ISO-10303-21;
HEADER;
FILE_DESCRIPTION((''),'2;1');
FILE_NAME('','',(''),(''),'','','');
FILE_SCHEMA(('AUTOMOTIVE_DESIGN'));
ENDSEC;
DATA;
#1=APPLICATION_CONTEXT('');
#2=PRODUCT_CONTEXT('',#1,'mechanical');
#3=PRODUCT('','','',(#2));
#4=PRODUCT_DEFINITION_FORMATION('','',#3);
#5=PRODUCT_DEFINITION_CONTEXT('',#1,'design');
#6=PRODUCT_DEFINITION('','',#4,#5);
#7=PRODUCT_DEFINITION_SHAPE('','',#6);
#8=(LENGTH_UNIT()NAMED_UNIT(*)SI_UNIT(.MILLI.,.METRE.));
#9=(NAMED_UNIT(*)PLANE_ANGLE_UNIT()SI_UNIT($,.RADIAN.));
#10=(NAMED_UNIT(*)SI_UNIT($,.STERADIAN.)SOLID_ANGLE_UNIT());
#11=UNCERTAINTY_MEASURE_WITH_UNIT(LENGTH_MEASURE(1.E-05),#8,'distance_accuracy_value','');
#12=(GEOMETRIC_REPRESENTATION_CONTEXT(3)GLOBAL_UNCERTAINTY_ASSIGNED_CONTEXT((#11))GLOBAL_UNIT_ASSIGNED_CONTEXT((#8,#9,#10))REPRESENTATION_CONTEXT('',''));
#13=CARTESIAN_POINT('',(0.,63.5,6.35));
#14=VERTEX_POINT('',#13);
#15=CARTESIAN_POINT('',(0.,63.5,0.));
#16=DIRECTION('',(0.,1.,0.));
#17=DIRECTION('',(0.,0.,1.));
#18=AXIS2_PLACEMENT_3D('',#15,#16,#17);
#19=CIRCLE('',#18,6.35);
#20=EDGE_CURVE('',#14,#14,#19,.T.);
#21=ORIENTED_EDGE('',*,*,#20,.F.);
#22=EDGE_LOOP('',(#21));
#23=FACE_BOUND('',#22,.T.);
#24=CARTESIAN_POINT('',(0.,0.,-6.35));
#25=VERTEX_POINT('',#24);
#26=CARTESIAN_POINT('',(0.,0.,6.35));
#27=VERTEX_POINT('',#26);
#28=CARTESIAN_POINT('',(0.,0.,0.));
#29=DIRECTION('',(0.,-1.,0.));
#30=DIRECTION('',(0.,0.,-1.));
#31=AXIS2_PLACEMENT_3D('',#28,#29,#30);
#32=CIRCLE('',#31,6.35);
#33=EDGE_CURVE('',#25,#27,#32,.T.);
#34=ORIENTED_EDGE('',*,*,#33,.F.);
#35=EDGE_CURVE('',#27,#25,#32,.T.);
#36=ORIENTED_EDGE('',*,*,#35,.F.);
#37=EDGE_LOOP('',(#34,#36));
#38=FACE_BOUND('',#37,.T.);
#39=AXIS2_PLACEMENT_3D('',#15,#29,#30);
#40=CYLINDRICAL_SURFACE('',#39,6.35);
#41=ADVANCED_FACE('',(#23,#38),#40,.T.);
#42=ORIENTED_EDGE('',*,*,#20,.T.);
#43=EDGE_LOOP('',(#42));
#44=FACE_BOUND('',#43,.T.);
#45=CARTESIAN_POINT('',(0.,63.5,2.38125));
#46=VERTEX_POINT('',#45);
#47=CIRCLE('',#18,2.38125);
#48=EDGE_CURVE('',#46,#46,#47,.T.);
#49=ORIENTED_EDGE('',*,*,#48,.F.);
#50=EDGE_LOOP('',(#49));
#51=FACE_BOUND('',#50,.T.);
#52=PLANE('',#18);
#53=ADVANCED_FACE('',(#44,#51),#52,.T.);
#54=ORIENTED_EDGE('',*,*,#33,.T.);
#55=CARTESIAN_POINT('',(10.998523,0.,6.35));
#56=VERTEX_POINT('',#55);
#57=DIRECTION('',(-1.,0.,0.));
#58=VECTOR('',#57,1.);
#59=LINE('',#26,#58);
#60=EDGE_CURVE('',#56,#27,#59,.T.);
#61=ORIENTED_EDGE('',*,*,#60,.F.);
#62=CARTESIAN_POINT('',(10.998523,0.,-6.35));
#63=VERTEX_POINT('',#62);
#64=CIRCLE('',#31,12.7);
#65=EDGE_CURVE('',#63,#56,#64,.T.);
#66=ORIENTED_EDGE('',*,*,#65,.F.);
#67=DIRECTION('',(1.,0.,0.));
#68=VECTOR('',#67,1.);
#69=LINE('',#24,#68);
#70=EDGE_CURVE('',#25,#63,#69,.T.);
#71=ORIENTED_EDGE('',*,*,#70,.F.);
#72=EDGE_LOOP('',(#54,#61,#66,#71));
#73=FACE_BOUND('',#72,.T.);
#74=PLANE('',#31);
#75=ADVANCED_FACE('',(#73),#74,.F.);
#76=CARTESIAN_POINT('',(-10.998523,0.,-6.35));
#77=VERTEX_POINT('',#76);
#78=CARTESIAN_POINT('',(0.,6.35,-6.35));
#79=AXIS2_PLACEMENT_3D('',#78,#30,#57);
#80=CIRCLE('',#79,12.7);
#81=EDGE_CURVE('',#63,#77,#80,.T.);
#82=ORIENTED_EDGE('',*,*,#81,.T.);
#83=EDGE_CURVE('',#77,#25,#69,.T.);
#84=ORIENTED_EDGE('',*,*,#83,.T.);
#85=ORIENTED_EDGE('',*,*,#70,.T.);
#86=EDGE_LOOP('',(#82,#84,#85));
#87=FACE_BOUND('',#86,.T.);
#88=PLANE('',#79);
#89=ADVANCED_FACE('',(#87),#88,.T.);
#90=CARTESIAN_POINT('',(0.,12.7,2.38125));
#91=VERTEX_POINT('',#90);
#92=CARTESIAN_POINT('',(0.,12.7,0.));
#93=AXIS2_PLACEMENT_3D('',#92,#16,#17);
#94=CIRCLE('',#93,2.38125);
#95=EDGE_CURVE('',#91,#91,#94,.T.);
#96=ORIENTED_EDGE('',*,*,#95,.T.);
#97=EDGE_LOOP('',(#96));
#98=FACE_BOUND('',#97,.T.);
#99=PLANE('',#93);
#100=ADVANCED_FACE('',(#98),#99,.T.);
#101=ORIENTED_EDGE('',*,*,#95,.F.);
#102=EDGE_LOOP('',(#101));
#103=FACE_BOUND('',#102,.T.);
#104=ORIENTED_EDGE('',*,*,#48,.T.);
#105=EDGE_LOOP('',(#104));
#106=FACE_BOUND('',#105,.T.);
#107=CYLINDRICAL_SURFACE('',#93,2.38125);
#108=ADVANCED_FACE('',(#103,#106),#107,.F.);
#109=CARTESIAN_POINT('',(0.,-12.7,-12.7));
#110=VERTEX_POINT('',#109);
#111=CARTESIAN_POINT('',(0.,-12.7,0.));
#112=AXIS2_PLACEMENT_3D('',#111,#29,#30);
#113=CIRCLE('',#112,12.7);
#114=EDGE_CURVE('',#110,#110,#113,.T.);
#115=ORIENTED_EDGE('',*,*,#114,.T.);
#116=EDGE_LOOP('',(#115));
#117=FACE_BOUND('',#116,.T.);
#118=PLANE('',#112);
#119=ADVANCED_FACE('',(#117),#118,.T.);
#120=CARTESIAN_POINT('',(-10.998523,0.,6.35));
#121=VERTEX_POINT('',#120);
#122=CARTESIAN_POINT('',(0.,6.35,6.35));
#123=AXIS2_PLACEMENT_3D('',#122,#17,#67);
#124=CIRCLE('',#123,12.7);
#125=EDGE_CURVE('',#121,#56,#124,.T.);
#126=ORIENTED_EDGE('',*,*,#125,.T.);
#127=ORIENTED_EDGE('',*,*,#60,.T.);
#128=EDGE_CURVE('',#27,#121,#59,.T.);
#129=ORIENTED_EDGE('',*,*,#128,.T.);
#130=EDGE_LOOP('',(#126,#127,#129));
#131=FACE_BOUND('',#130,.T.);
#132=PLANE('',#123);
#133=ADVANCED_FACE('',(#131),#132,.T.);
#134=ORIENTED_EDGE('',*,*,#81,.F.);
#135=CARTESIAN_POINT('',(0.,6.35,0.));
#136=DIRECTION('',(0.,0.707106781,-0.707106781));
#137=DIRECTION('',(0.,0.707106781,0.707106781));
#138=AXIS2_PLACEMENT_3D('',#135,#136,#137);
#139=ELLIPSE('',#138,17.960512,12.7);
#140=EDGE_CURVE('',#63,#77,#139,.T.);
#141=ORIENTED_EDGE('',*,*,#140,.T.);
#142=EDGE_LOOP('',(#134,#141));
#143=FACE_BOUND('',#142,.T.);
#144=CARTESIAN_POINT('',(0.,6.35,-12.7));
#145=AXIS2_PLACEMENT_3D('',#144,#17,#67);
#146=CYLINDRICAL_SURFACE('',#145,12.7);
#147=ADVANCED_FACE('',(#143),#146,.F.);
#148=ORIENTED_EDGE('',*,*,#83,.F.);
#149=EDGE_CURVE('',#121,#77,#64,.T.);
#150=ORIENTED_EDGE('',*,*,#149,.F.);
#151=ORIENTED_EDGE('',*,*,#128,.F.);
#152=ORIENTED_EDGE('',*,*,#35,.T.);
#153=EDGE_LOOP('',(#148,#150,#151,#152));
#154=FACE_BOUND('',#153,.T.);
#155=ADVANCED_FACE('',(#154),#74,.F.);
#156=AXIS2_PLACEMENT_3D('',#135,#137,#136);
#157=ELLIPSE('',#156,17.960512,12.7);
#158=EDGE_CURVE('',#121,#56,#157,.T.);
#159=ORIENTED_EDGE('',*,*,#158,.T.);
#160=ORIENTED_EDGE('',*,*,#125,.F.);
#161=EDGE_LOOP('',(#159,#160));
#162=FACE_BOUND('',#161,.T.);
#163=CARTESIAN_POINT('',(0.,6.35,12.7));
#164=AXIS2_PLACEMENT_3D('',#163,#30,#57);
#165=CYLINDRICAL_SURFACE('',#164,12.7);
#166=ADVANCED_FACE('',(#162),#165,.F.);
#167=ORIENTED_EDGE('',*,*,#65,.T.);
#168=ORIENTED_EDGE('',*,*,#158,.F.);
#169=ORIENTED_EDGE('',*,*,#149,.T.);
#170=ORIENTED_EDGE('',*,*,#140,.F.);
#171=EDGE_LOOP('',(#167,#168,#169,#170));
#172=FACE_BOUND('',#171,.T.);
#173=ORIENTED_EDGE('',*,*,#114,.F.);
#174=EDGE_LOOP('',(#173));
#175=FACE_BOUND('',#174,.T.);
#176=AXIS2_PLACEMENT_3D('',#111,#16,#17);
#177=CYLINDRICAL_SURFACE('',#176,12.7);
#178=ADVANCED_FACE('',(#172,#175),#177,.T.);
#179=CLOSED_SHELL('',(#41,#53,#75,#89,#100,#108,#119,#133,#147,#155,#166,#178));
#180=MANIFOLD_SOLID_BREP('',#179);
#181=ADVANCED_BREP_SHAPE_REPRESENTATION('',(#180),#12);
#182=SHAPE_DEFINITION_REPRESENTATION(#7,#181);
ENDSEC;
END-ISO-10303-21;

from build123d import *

# Parameters (mm, degrees)
SKETCH1_R           = 6.35
BOSS_EXTRUDE1_DEPTH = 63.5
SKETCH5_R           = 12.7
BOSS_EXTRUDE2_DEPTH = 12.7
SKETCH10_R          = 12.7
CUT_EXTRUDE5_DEPTH  = 68.501425911
SKETCH12_R          = 12.7
CUT_EXTRUDE6_DEPTH  = 68.501425911
SKETCH13_R          = 2.38125
CUT_EXTRUDE7_DEPTH  = 50.8


with BuildPart() as part:
    # Sketch1 → Boss-Extrude1 (new body)
    with BuildSketch(Plane(origin=(0, 0, 0), x_dir=(1, 0, 0), z_dir=(0, 1, 0))):
        with Locations(Location((0, 0, 0), (0, 0, 270))):
            Circle(SKETCH1_R)
    extrude(amount=BOSS_EXTRUDE1_DEPTH)

    # Sketch5 → Boss-Extrude2 (add)
    with BuildSketch(Plane.XZ):
        with Locations(Location((0, 0, 0), (0, 0, 270))):
            Circle(SKETCH5_R)
    extrude(amount=BOSS_EXTRUDE2_DEPTH)

    # Sketch10 → Cut-Extrude5 (cut, through all)
    with BuildSketch(Plane.XY.offset(6.35)):
        with Locations((0, 6.35)):
            Circle(SKETCH10_R)
    extrude(amount=CUT_EXTRUDE5_DEPTH, mode=Mode.SUBTRACT)

    # Sketch12 → Cut-Extrude6 (cut, through all)
    with BuildSketch(Plane(origin=(0, 0, -6.35), x_dir=(-1, 0, 0), z_dir=(0, 0, -1))):
        with Locations((0, 6.35)):
            Circle(SKETCH12_R)
    extrude(amount=CUT_EXTRUDE6_DEPTH, mode=Mode.SUBTRACT)

    # Sketch13 → Cut-Extrude7 (cut)
    with BuildSketch(Plane(origin=(0, 63.5, 0), x_dir=(1, 0, 0), z_dir=(0, 1, 0))):
        with Locations(Location((0, 0, 0), (0, 0, 270))):
            Circle(SKETCH13_R)
    extrude(amount=-CUT_EXTRUDE7_DEPTH, mode=Mode.SUBTRACT)


solid = part.part
